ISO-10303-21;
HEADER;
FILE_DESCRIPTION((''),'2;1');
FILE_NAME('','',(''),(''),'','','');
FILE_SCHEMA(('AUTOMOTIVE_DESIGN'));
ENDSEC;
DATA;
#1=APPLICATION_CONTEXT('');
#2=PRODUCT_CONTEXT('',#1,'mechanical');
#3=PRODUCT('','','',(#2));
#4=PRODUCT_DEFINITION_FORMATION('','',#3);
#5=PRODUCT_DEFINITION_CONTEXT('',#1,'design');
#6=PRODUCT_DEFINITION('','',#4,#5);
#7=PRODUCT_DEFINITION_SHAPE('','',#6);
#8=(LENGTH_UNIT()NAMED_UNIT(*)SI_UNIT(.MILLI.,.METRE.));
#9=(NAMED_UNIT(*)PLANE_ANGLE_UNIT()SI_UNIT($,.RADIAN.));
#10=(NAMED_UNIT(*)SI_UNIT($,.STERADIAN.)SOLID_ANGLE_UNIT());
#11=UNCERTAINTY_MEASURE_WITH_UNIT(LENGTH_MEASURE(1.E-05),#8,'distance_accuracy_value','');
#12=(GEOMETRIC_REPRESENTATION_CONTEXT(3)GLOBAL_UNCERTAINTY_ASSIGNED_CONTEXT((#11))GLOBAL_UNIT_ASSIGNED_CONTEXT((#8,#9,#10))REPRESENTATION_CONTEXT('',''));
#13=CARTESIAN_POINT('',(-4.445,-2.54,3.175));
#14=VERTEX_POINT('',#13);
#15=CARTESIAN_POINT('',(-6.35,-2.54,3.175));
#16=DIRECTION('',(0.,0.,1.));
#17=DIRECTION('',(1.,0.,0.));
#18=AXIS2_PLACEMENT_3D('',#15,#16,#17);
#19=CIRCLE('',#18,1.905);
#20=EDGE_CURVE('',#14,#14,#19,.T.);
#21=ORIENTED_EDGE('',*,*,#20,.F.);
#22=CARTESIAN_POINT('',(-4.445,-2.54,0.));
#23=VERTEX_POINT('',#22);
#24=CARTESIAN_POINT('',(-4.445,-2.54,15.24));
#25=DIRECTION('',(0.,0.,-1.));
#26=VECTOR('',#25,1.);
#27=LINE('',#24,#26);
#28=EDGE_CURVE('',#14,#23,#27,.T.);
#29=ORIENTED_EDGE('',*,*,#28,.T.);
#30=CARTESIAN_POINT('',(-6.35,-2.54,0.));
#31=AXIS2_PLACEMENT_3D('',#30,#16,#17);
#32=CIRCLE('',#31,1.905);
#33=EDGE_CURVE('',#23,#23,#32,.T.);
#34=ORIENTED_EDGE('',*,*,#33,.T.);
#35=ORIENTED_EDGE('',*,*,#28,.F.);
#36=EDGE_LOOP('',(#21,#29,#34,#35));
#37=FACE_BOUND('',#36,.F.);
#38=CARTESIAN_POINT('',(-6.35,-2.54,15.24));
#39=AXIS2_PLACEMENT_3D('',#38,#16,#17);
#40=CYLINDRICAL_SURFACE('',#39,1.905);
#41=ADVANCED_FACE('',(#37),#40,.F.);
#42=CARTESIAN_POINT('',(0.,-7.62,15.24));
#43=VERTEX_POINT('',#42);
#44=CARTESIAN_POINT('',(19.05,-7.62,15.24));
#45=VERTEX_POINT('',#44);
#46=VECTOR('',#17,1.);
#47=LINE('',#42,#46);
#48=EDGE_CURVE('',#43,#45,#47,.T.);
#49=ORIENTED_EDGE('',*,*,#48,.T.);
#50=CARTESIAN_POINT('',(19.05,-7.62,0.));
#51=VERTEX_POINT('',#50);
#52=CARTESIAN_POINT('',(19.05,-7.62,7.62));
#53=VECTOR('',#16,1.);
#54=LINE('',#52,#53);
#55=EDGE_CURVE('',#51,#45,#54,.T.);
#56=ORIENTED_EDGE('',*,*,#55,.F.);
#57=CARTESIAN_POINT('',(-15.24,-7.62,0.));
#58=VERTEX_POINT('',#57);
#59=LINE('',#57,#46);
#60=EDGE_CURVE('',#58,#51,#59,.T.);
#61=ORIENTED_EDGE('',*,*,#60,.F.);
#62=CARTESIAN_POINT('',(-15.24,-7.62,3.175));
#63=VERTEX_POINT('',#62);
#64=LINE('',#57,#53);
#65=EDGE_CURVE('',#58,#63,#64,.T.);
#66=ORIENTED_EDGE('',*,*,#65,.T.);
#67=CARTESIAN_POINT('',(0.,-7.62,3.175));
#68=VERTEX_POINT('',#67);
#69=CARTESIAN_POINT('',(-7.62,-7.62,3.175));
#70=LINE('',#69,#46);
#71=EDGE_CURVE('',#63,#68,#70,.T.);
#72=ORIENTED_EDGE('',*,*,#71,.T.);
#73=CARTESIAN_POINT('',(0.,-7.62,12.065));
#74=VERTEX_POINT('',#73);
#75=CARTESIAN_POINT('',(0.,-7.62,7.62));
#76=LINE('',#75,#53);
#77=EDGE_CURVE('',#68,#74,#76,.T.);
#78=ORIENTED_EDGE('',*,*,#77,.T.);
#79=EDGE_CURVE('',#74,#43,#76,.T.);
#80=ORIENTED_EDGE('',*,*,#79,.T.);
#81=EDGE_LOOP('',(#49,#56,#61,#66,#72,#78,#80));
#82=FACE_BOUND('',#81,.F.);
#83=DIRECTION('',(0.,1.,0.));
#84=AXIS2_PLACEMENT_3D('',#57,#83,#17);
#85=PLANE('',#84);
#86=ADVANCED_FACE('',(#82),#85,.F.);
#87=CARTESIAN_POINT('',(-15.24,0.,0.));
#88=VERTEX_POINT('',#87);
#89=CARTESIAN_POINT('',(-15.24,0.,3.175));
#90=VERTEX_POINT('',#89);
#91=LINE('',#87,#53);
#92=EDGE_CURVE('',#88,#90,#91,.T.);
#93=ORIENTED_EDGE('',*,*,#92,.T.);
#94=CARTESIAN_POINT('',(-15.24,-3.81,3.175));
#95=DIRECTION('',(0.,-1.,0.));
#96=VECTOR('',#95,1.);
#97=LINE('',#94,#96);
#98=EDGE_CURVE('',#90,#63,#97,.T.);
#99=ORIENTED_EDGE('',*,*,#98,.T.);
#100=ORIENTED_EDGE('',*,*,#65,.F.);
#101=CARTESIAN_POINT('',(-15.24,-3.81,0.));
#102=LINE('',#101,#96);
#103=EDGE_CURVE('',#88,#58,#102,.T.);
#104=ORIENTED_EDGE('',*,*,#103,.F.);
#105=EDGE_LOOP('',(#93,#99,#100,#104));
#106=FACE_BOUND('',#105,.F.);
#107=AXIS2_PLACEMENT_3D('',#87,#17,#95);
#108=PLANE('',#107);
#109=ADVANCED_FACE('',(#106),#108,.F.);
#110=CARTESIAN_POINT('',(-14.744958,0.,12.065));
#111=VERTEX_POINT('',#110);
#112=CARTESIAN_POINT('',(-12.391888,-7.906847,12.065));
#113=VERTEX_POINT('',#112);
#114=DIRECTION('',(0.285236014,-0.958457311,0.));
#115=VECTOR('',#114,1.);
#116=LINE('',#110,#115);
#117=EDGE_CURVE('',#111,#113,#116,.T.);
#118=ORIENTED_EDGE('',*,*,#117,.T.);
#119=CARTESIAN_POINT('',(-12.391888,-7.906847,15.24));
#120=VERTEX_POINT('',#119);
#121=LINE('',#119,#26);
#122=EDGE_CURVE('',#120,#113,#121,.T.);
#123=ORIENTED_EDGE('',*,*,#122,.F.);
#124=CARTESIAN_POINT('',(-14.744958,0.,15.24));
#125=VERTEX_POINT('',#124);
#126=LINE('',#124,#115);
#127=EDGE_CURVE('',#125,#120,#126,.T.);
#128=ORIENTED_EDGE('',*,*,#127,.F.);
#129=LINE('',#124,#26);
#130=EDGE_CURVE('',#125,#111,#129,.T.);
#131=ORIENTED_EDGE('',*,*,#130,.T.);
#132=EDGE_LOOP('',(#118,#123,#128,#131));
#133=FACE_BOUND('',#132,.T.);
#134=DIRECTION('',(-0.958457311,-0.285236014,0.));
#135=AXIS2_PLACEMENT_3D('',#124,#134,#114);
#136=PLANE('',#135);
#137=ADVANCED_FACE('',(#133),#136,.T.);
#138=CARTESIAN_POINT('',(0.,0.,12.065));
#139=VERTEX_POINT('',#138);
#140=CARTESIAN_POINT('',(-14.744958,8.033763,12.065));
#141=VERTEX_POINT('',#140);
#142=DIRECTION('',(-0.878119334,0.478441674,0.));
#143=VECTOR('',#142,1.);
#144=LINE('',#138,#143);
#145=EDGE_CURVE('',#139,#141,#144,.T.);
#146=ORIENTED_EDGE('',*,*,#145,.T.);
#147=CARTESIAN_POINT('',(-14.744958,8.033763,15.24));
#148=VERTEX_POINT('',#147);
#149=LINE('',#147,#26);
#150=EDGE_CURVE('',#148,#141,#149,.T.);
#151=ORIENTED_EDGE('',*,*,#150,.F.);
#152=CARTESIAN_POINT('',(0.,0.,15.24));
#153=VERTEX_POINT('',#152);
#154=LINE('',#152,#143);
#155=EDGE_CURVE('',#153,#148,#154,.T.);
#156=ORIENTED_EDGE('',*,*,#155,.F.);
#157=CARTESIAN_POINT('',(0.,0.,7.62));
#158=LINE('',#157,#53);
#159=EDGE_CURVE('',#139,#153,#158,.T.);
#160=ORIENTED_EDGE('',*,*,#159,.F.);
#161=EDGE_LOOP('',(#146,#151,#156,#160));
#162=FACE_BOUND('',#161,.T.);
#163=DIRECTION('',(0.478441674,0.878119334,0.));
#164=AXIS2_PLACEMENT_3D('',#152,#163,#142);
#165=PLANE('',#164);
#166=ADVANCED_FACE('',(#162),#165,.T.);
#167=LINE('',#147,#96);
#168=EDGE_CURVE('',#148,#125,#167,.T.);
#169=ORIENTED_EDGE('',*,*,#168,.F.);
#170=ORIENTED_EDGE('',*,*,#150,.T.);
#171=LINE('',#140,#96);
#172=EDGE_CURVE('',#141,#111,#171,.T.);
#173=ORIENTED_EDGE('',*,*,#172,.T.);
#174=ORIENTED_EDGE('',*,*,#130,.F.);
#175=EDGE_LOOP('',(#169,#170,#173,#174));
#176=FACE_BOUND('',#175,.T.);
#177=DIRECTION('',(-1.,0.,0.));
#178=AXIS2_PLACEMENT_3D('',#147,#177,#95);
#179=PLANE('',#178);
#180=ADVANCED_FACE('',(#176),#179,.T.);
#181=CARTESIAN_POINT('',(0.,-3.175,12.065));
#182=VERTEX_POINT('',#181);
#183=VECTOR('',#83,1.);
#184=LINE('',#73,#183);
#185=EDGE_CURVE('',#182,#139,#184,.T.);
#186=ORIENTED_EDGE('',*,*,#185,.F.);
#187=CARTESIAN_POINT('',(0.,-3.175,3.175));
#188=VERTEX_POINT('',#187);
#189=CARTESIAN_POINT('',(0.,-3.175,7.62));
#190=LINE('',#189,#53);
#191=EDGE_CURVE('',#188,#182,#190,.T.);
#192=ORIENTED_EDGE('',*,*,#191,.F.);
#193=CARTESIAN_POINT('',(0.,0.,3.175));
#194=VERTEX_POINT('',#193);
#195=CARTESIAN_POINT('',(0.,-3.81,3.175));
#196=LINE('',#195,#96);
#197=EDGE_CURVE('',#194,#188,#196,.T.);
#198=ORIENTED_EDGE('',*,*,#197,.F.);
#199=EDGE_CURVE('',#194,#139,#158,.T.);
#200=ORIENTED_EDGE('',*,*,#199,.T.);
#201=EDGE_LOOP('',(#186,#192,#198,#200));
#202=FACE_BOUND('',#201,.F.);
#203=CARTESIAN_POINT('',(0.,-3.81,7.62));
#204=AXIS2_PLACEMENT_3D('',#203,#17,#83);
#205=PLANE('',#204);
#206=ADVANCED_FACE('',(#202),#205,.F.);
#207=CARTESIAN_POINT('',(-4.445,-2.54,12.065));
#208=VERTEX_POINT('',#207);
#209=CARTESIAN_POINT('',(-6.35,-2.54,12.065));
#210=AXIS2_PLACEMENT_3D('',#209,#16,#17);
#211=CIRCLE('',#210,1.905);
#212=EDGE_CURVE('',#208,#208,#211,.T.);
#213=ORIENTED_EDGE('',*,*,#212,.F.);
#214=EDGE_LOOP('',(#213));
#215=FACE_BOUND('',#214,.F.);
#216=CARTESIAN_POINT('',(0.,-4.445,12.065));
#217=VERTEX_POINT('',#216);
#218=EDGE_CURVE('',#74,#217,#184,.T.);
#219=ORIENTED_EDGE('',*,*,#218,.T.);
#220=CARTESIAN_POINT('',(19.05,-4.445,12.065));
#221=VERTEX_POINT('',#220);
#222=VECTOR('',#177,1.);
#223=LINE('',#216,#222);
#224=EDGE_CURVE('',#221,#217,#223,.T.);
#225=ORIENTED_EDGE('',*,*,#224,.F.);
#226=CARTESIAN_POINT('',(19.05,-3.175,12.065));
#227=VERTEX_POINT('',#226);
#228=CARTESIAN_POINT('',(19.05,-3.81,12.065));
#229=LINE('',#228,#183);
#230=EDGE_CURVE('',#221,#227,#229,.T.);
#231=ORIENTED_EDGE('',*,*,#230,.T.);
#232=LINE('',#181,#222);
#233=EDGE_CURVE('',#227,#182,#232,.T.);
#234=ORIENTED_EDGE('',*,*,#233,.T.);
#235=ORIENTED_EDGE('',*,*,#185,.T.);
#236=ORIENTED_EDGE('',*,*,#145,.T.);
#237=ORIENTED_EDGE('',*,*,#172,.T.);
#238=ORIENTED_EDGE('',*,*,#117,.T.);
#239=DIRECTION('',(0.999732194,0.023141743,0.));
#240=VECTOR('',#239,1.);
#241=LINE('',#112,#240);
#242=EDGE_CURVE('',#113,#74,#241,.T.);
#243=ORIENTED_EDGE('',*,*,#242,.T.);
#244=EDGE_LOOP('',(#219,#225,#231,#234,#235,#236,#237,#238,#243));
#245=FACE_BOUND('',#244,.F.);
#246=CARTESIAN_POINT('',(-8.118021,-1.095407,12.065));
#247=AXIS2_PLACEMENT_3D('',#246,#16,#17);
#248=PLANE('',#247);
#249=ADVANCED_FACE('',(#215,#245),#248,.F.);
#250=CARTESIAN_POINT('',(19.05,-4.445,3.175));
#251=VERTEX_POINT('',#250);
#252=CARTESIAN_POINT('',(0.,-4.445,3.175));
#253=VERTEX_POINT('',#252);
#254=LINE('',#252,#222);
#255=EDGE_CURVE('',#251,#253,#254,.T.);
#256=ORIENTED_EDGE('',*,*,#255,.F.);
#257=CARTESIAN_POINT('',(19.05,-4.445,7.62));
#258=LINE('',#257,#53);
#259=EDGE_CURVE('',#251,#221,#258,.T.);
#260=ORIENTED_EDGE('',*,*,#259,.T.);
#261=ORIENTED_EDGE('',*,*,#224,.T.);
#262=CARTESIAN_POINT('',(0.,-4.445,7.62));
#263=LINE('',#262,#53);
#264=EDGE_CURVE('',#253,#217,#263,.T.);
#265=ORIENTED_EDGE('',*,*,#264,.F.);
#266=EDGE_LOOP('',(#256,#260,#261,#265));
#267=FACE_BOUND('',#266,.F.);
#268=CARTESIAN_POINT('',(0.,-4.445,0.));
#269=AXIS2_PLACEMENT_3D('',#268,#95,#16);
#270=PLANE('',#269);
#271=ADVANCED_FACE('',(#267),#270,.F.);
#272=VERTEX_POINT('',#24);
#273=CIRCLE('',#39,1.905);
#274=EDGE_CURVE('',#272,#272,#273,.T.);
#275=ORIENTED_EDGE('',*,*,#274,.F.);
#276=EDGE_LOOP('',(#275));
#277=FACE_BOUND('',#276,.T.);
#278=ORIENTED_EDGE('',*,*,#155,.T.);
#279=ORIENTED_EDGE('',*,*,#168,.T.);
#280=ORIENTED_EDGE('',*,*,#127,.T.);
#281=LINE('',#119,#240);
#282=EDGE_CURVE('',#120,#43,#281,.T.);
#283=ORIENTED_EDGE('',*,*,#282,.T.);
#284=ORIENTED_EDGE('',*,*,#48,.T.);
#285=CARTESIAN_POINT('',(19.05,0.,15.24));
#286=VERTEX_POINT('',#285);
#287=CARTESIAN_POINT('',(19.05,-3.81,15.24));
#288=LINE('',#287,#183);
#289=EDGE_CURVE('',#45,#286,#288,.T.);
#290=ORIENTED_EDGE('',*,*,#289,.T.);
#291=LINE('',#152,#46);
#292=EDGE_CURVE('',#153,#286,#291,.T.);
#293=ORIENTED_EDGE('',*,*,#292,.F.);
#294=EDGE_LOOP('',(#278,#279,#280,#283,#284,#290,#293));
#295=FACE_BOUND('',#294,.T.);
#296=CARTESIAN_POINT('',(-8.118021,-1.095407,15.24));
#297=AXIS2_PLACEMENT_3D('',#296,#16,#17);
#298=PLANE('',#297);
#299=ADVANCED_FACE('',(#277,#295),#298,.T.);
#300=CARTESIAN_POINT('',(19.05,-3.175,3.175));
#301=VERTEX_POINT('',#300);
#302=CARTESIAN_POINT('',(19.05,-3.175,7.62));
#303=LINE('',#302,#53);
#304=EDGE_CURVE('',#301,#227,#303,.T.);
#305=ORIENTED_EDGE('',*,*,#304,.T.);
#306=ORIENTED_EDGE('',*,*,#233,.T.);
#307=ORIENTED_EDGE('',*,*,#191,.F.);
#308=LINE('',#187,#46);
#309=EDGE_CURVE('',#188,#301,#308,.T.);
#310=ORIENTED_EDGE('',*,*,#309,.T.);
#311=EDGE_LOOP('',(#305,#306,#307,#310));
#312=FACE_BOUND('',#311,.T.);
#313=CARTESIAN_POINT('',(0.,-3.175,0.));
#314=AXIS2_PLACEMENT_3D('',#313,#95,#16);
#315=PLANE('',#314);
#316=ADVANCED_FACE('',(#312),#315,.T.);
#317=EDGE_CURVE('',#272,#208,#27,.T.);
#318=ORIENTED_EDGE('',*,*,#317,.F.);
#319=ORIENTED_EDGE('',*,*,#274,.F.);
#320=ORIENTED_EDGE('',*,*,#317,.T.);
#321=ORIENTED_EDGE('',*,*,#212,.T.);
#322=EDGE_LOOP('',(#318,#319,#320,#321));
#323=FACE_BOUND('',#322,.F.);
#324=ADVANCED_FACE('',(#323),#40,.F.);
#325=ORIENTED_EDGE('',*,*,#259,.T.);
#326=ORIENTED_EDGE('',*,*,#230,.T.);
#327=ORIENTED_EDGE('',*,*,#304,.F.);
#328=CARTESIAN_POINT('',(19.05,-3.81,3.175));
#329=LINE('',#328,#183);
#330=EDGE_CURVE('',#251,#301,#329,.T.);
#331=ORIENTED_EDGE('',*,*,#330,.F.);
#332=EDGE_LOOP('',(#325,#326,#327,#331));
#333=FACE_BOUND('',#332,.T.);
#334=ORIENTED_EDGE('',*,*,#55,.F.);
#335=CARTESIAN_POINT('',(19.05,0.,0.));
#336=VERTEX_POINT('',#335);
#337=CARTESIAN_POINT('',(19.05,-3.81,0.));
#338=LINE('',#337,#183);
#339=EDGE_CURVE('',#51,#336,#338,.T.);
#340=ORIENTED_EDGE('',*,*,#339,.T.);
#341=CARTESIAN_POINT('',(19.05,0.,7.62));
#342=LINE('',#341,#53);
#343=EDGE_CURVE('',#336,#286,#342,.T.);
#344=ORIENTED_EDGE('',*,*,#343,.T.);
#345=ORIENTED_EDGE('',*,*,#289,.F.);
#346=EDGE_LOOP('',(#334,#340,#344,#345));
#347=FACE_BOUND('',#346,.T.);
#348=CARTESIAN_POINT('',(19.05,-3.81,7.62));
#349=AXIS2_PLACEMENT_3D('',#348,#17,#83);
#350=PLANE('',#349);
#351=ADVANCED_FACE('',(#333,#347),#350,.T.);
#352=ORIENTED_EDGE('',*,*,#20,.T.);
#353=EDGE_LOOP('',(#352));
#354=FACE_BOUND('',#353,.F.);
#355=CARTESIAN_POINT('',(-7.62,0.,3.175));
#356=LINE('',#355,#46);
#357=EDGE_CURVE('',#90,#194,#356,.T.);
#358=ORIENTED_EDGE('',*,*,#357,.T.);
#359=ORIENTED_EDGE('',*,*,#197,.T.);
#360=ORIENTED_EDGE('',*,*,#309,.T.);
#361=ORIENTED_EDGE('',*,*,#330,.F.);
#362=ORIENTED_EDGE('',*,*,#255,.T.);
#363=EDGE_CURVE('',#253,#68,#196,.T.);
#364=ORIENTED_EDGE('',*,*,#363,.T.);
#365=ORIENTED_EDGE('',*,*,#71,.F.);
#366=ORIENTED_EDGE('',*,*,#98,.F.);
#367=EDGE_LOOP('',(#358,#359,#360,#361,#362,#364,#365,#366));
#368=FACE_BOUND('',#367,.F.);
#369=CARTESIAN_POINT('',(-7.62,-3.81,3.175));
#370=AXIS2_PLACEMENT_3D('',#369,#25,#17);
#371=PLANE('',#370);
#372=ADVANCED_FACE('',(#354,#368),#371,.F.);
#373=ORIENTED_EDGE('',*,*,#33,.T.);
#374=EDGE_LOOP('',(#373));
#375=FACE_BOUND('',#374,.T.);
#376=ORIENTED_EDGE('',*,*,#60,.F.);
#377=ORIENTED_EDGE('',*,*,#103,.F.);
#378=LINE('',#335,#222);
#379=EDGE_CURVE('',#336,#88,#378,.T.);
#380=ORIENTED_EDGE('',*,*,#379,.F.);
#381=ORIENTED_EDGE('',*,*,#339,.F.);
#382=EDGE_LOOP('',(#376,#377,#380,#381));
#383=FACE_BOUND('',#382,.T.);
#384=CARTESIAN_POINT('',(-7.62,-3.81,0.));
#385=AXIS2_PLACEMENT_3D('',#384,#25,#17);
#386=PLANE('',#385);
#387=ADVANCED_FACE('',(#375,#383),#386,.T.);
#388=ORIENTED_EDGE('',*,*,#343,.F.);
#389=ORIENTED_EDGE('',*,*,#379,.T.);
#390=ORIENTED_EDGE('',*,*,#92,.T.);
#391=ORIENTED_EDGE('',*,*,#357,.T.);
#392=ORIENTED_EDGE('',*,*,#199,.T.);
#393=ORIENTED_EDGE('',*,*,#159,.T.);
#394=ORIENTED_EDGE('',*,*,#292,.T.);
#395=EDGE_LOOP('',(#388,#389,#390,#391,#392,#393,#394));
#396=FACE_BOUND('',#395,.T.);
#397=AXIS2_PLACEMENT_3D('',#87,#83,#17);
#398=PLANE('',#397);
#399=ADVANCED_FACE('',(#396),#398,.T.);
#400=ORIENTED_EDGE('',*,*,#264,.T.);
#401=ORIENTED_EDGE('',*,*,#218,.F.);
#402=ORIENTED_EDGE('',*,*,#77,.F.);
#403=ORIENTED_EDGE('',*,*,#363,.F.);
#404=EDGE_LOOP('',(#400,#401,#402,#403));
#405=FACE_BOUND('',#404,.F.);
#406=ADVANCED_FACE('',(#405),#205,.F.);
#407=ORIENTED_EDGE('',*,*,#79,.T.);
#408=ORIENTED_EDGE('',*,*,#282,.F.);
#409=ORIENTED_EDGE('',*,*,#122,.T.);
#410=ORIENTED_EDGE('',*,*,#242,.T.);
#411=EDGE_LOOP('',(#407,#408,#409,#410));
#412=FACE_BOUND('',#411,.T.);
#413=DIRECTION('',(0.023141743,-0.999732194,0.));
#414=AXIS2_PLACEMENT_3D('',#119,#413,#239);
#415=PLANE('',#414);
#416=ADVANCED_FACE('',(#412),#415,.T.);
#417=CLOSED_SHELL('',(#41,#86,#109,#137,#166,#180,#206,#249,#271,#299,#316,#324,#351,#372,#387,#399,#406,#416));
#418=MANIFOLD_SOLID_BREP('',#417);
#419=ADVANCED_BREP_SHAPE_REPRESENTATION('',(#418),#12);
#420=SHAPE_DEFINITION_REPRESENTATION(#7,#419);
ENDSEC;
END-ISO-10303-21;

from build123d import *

# Parameters (mm, degrees)
F0_W     = 7.62
F0_H     = 15.24
F1_DEPTH = 19.05
F2_T     = -3.175
F4_DEPTH = 3.175
F5_W     = 15.24
F5_H     = 7.62
F6_DEPTH = 3.175
F7_R     = 1.905
F8_DEPTH = 15.241


with BuildPart() as f1:
    # F0 (on Right) → F1 (new body)
    with BuildSketch(Plane.YZ):
        with Locations((-3.81, 7.62)):
            Rectangle(F0_W, F0_H)
    extrude(amount=F1_DEPTH)

    # F2
    f2_openings = [f1.faces().sort_by_distance(p)[0] for p in [
        (0, -3.81, 7.62),
        (19.05, -3.81, 7.62),
    ]]
    offset(amount=F2_T, openings=f2_openings)

    # F3 (on face) → F4 (join, through all)
    with BuildSketch(Plane.XY.offset(15.24)):
        Polygon((-12.3918876052, -7.9068467021), (0, -7.62), (0, 0), (-14.744957909, 8.033762686), (-14.744957909, 0), align=None)
    extrude(amount=-F4_DEPTH)

    # F5 (on face) → F6 (join, through all)
    with BuildSketch(Plane(origin=(0, 0, 0), x_dir=(1, 0, 0), z_dir=(0, 0, -1))):
        with Locations((-7.62, 3.81)):
            Rectangle(F5_W, F5_H)
    extrude(amount=-F6_DEPTH)

    # F7 (on face) → F8 (cut, through all)
    with BuildSketch(Plane.XY.offset(15.24)):
        with Locations((-6.35, -2.54)):
            Circle(F7_R)
    extrude(amount=-F8_DEPTH, mode=Mode.SUBTRACT)


solid = f1.part
